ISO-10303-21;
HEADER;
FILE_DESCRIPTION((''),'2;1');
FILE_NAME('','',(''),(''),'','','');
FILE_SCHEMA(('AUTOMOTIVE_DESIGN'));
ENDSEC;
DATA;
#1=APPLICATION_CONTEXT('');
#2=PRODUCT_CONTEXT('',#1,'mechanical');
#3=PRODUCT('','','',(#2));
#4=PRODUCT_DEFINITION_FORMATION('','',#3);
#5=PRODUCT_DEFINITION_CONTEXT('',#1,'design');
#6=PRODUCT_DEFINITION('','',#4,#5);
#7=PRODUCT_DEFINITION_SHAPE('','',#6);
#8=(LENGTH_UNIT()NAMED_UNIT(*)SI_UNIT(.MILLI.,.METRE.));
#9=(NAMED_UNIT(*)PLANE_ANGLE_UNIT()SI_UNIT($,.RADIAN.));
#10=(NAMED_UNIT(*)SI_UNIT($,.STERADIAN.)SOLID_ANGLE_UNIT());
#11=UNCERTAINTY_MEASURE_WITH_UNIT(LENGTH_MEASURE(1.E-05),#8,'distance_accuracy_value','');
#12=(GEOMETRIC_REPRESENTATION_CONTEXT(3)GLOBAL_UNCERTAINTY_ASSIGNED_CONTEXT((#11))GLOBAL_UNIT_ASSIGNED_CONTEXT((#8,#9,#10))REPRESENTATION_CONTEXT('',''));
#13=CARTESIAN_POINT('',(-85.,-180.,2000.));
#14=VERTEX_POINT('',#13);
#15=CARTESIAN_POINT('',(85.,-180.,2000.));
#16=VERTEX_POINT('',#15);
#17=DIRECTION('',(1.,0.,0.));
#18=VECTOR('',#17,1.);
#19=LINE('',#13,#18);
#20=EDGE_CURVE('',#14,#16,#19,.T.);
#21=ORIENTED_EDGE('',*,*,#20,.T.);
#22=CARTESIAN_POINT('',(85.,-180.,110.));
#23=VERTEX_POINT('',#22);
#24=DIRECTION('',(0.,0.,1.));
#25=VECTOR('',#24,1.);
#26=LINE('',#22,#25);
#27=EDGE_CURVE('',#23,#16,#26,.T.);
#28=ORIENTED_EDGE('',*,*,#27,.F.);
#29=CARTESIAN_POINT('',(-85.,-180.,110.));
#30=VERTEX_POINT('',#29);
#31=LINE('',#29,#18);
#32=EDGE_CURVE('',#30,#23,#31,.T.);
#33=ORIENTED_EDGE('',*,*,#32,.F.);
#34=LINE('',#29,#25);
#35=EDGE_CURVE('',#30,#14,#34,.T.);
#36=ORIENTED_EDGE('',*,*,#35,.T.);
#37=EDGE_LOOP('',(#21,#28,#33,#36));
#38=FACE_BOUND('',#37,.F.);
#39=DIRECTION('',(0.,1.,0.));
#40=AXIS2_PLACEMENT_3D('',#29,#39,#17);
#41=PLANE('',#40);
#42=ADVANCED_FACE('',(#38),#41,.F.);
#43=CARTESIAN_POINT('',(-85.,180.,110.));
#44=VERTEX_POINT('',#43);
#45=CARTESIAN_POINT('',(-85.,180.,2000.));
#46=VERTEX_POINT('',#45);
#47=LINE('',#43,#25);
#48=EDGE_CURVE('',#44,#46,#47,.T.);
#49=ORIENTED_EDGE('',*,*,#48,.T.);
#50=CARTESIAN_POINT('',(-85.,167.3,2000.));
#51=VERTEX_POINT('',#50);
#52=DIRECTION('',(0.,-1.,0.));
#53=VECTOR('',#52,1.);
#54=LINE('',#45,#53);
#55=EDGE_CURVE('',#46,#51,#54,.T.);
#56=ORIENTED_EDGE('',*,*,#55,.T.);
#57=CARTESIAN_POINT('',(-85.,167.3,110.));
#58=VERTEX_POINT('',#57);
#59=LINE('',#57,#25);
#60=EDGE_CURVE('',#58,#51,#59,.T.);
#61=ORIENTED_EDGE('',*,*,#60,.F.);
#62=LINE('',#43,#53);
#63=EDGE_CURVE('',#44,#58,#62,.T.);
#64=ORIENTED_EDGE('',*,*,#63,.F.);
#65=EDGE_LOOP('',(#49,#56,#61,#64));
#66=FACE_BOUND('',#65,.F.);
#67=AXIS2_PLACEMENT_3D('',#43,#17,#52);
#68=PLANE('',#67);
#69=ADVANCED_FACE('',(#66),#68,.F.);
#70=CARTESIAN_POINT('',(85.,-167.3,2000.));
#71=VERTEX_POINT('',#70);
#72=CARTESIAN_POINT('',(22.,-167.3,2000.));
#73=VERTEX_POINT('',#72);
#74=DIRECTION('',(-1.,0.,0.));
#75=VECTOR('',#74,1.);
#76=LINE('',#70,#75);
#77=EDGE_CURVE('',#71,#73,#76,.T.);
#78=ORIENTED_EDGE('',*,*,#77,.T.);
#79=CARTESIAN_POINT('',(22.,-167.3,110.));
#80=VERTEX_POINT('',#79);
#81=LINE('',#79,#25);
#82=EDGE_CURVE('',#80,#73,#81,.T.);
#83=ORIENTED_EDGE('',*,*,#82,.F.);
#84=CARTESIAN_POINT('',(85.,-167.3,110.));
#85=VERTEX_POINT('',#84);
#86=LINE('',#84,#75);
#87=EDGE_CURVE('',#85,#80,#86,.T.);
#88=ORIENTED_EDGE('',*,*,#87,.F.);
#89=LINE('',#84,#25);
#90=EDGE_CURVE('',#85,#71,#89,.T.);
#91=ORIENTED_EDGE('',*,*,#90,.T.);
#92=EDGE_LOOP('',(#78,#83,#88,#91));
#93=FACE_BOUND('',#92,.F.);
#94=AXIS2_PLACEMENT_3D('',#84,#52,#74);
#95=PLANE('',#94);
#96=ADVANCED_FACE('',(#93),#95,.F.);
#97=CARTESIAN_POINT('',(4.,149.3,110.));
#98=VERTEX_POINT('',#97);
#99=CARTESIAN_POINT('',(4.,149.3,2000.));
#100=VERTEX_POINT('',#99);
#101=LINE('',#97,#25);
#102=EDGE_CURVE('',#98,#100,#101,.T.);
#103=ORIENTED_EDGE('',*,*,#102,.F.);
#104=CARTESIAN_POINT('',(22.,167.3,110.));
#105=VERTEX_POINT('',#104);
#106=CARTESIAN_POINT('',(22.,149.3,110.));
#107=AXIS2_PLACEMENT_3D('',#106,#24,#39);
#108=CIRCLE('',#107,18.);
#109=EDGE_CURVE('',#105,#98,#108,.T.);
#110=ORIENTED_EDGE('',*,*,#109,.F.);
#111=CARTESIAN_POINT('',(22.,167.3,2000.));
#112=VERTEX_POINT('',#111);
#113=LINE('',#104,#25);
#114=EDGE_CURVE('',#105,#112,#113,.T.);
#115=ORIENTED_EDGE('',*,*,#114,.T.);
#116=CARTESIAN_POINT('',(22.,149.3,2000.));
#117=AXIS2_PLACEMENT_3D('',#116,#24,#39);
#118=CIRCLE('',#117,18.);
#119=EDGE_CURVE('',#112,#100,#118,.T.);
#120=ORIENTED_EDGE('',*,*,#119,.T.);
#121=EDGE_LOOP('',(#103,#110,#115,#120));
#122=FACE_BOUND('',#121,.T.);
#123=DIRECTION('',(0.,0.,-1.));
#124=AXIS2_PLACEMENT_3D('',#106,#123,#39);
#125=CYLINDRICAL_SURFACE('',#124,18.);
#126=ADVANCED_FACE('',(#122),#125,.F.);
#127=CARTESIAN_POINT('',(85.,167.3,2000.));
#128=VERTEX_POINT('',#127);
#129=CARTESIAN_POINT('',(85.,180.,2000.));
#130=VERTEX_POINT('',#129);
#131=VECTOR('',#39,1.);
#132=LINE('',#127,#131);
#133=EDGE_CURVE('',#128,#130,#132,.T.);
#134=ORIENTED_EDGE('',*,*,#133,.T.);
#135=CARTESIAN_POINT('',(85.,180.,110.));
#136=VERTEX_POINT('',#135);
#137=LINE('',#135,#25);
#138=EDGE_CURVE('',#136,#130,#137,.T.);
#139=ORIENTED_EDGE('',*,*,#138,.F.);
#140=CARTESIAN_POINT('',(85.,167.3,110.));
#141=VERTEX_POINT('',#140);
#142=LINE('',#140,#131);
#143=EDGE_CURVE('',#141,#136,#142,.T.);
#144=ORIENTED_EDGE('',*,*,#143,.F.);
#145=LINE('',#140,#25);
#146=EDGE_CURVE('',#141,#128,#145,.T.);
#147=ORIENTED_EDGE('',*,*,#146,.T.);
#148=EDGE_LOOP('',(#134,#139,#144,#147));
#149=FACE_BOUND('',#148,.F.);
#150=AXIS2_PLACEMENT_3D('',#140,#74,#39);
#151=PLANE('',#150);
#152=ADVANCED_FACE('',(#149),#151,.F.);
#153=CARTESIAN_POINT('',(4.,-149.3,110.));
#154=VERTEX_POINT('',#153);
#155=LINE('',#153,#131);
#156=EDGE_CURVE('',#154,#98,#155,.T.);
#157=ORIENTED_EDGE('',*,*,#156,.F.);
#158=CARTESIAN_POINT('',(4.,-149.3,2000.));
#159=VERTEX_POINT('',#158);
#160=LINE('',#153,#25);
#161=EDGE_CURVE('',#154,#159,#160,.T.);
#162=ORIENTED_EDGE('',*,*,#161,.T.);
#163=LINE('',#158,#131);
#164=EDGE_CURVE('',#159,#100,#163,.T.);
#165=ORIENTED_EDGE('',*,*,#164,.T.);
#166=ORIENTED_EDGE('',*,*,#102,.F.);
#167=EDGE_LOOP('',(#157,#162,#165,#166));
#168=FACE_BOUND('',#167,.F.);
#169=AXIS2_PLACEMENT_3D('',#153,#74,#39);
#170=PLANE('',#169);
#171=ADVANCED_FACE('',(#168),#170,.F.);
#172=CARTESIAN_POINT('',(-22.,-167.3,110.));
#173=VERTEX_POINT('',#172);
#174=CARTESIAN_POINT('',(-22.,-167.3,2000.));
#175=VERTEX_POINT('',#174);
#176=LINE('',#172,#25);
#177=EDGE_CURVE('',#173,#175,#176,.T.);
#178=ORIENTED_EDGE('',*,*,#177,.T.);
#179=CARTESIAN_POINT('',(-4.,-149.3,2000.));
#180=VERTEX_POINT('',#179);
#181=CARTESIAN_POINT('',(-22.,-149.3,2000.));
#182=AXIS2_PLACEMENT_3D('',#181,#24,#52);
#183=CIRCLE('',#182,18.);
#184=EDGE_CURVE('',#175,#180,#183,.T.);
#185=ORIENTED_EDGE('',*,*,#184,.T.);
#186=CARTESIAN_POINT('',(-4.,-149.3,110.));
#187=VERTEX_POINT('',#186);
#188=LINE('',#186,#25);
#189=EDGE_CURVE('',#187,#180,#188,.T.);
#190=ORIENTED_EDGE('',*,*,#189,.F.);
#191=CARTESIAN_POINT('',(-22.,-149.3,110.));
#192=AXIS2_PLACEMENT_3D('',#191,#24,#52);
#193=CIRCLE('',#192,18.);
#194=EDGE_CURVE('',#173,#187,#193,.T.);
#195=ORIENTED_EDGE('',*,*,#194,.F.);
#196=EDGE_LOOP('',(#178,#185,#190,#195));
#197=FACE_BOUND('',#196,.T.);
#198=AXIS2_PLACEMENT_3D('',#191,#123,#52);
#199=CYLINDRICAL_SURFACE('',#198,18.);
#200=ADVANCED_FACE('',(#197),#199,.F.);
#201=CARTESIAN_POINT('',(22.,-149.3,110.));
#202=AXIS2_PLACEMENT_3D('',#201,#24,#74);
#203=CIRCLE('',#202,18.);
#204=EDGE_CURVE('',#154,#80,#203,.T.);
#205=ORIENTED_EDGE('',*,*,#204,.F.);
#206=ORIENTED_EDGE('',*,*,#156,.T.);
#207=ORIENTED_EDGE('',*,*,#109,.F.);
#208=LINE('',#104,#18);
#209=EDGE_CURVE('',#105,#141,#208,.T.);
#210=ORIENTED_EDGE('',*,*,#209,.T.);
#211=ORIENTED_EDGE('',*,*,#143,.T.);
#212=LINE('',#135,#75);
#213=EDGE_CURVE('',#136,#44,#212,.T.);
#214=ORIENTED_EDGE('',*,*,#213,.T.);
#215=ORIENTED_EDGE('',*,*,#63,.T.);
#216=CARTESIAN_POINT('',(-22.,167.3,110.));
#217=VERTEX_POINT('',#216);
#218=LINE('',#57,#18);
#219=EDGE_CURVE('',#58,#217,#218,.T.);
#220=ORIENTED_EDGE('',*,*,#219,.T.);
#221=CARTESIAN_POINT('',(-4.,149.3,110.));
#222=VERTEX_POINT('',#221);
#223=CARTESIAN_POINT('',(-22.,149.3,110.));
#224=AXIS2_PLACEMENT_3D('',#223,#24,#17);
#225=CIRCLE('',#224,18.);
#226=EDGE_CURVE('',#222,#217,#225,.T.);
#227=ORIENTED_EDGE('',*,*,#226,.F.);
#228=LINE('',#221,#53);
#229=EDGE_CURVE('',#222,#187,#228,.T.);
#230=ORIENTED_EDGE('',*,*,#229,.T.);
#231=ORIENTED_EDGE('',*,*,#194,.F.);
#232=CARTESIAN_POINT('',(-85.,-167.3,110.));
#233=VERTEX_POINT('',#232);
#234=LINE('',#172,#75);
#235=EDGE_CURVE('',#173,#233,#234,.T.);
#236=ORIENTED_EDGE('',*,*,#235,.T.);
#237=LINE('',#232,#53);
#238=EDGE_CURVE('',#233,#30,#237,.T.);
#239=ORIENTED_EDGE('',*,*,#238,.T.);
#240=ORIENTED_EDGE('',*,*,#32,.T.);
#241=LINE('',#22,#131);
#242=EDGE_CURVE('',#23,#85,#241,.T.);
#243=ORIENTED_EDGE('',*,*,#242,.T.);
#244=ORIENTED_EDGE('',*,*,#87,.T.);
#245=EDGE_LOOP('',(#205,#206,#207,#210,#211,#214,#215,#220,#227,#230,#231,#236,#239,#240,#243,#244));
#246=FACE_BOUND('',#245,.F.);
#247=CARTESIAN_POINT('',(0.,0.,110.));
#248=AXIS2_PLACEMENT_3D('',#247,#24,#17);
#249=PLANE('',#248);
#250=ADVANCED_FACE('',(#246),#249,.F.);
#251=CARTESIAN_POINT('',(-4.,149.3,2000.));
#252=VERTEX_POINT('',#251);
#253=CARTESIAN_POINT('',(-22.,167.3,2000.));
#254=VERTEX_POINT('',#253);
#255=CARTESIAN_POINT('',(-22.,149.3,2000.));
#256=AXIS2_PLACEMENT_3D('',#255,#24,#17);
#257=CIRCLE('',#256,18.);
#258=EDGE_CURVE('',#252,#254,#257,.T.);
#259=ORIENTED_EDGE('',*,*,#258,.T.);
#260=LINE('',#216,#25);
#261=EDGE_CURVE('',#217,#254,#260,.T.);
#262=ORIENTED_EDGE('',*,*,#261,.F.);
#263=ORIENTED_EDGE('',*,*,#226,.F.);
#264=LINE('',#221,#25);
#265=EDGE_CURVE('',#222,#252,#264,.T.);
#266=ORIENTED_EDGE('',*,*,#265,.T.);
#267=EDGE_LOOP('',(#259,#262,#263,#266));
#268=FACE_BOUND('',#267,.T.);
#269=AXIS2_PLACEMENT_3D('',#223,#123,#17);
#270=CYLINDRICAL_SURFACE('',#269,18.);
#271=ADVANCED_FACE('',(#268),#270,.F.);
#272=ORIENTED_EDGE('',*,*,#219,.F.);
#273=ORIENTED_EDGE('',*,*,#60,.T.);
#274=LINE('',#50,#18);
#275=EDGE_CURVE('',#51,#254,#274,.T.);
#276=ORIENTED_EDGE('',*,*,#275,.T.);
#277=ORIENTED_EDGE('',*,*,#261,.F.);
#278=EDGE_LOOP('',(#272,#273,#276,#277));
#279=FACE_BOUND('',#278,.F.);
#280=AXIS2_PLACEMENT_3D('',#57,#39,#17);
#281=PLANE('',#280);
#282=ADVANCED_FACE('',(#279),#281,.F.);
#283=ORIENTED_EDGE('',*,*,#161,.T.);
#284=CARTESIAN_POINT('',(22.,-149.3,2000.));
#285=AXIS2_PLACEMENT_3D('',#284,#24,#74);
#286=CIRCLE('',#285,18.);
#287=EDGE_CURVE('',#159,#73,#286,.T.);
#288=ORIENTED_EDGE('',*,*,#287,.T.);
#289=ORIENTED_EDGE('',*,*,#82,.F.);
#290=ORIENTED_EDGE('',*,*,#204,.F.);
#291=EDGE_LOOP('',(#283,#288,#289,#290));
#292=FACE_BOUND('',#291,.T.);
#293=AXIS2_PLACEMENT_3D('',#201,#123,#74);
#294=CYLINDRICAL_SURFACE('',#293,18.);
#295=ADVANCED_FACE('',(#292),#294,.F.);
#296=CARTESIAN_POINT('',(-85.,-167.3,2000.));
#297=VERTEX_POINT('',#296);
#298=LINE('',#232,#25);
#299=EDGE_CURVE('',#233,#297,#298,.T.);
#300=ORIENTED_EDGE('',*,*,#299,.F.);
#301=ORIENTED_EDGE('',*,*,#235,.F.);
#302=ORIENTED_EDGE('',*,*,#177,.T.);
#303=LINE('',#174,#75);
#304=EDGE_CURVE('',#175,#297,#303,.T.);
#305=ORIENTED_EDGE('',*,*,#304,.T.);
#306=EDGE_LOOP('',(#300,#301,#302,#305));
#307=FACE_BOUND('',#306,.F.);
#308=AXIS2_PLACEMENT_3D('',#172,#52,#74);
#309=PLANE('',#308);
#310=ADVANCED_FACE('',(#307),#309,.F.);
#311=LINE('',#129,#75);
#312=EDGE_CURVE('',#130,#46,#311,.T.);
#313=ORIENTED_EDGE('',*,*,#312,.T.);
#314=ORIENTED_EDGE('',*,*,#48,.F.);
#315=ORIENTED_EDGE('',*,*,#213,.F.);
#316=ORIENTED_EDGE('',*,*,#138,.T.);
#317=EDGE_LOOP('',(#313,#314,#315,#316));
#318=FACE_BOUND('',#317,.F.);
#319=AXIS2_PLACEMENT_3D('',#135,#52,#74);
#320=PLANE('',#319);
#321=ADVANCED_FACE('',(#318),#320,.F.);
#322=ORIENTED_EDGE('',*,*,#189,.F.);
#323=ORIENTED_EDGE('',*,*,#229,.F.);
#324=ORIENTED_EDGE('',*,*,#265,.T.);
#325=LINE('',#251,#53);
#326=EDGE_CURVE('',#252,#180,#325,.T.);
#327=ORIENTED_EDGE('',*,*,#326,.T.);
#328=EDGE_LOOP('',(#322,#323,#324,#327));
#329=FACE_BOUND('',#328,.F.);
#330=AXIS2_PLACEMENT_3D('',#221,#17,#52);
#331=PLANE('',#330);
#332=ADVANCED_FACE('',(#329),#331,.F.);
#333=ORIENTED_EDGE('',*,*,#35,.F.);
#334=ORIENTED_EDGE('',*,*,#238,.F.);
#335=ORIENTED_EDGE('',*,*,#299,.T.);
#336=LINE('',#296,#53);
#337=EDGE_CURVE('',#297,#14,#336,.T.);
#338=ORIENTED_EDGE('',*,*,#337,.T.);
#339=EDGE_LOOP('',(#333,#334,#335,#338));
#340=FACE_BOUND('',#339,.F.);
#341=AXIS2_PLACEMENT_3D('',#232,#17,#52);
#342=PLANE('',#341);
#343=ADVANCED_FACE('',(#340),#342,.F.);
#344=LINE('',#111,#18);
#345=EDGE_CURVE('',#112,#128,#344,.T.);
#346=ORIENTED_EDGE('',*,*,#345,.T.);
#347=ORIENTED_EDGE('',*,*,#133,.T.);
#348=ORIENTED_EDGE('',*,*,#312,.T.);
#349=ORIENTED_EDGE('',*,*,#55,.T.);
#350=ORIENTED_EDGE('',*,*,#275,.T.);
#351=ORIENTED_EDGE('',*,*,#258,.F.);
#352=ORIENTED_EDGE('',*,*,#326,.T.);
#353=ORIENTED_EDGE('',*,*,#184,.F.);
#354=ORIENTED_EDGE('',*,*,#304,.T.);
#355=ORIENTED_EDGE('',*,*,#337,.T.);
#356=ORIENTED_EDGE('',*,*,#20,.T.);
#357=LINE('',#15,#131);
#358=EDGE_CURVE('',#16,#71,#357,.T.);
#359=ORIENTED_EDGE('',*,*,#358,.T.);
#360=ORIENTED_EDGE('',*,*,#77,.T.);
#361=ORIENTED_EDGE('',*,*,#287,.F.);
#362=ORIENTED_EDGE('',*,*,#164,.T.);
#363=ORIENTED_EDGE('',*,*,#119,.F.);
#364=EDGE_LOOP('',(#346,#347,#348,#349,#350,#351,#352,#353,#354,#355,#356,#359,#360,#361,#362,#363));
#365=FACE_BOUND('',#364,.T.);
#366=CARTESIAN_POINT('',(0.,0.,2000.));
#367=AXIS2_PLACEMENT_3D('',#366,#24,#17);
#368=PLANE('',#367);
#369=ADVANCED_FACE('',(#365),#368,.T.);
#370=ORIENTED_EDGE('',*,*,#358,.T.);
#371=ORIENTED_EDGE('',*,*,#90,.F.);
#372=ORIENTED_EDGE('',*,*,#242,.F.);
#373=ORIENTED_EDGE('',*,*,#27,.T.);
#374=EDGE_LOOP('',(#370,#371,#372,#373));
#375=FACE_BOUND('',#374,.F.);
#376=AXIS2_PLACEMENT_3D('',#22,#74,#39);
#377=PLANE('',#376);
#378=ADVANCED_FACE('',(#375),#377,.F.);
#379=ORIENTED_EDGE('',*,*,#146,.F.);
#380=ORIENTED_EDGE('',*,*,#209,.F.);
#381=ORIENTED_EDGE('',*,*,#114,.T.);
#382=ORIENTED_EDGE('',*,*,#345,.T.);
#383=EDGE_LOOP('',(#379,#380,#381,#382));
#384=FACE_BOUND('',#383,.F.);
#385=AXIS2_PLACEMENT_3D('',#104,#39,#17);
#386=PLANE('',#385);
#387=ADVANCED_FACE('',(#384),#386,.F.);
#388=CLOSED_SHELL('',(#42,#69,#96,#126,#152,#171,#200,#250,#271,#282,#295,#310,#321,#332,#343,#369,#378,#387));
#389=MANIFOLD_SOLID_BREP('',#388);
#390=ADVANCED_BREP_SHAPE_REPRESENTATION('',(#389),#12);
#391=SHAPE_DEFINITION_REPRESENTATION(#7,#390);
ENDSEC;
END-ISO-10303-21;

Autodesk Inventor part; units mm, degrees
ref_plane "Start Plane" through (0, 0, 110) normal (0, 0, 1) x (1, 0, 0)
ref_plane "End Plane" through (0, 0, 2000) normal (0, 0, 1) x (1, 0, 0)
sketch "Sketch" plane through (0, 0, 0) normal (0, 0, 1) x (1, 0, 0)
  line L0 (-85, 167.3) -> (-22, 167.3)
  line L1 (-85, 180) -> (-85, 167.3)
  line L2 (85, 180) -> (-85, 180)
  line L3 (85, 167.3) -> (85, 180)
  line L4 (22, 167.3) -> (85, 167.3)
  line L5 (4, -149.3) -> (4, 149.3)
  line L6 (85, -167.3) -> (22, -167.3)
  line L7 (85, -180) -> (85, -167.3)
  line L8 (-85, -167.3) -> (-85, -180)
  line L9 (-22, -167.3) -> (-85, -167.3)
  line L10 (-4, 149.3) -> (-4, -149.3)
  line L11 (0, -252) -> (0, 252) construction
  line L12 (-4, -167.3) -> (4, -167.3) construction
  arc A0 (-22, -167.3) -> (-4, -149.3) centre (-22, -149.3) ccw
  arc A1 (-4, 149.3) -> (-22, 167.3) centre (-22, 149.3) ccw
  arc A2 (22, 167.3) -> (4, 149.3) centre (22, 149.3) ccw
  arc A3 (4, -149.3) -> (22, -167.3) centre (22, -149.3) ccw
  line L13 (-119, 0) -> (119, 0) construction
  line L14 (-85, -180) -> (85, -180)
  point P0 (-4, 167.3)
  point P1 (4, 167.3)
  point P2 (0, 0)
  point P3 (0, -167.3)
  point P4 (0, 0)
  dimension "d1" = 360
  dimension "d3" = 12.7
  dimension "d5" = 8
  dimension "d7" = 170
  dimension "d13" = 18
  dimension "d14" = 180
  dimension "d15" = 85
extrude "Body" add sketch "Sketch" along normal up to surface (1890 mm away) from surface at 110
sketch "Sketch3" plane through (0, 0, 0) normal (0, 0, 1) x (1, 0, 0)
  line L0 (0, 0) -> (10, 0)
ref_plane "Work Plane3" through (0, 0, 0) normal (0, -1, 0) x (1, 0, 0)
ref_plane "Work Plane4" through (55, -1320, 110) normal (0, 0, -1) x (-1, 0, 0)
split "Split1" plane through (55, -1320, 110) removes the side toward (0, 0, -1)
sketch "Sketch4" plane through (0, 0, 0) normal (0, -1, 0) x (1, 0, 0)
  line L0 (-2, 110) -> (12, 110) projected
  line L1 (-2, 2000) -> (12, 2000) projected
  dimension "d19" = 1890
equation "\"d1\" = ParH"
equation "\"d3\" = t2"
equation "\"d5\" = t1"
equation "\"d7\" = b"
equation "\"d13\" = R1"
equation "\"d14\" = 0.5 * d1"
equation "\"d15\" = 0.5 * d7"
equation "\"d8\" = G_L"
equation "\"b\" = 170"
equation "\"ParH\" = 360"
equation "\"R1\" = 18"
equation "\"G_L\" = d19"
equation "\"t1\" = 8"
equation "\"t2\" = 12.7"
equation "\"G_OFFSET_END\" = 0"
properties part number "DIN 1025 - IPE 360-1890" material "Steel, Mild"
